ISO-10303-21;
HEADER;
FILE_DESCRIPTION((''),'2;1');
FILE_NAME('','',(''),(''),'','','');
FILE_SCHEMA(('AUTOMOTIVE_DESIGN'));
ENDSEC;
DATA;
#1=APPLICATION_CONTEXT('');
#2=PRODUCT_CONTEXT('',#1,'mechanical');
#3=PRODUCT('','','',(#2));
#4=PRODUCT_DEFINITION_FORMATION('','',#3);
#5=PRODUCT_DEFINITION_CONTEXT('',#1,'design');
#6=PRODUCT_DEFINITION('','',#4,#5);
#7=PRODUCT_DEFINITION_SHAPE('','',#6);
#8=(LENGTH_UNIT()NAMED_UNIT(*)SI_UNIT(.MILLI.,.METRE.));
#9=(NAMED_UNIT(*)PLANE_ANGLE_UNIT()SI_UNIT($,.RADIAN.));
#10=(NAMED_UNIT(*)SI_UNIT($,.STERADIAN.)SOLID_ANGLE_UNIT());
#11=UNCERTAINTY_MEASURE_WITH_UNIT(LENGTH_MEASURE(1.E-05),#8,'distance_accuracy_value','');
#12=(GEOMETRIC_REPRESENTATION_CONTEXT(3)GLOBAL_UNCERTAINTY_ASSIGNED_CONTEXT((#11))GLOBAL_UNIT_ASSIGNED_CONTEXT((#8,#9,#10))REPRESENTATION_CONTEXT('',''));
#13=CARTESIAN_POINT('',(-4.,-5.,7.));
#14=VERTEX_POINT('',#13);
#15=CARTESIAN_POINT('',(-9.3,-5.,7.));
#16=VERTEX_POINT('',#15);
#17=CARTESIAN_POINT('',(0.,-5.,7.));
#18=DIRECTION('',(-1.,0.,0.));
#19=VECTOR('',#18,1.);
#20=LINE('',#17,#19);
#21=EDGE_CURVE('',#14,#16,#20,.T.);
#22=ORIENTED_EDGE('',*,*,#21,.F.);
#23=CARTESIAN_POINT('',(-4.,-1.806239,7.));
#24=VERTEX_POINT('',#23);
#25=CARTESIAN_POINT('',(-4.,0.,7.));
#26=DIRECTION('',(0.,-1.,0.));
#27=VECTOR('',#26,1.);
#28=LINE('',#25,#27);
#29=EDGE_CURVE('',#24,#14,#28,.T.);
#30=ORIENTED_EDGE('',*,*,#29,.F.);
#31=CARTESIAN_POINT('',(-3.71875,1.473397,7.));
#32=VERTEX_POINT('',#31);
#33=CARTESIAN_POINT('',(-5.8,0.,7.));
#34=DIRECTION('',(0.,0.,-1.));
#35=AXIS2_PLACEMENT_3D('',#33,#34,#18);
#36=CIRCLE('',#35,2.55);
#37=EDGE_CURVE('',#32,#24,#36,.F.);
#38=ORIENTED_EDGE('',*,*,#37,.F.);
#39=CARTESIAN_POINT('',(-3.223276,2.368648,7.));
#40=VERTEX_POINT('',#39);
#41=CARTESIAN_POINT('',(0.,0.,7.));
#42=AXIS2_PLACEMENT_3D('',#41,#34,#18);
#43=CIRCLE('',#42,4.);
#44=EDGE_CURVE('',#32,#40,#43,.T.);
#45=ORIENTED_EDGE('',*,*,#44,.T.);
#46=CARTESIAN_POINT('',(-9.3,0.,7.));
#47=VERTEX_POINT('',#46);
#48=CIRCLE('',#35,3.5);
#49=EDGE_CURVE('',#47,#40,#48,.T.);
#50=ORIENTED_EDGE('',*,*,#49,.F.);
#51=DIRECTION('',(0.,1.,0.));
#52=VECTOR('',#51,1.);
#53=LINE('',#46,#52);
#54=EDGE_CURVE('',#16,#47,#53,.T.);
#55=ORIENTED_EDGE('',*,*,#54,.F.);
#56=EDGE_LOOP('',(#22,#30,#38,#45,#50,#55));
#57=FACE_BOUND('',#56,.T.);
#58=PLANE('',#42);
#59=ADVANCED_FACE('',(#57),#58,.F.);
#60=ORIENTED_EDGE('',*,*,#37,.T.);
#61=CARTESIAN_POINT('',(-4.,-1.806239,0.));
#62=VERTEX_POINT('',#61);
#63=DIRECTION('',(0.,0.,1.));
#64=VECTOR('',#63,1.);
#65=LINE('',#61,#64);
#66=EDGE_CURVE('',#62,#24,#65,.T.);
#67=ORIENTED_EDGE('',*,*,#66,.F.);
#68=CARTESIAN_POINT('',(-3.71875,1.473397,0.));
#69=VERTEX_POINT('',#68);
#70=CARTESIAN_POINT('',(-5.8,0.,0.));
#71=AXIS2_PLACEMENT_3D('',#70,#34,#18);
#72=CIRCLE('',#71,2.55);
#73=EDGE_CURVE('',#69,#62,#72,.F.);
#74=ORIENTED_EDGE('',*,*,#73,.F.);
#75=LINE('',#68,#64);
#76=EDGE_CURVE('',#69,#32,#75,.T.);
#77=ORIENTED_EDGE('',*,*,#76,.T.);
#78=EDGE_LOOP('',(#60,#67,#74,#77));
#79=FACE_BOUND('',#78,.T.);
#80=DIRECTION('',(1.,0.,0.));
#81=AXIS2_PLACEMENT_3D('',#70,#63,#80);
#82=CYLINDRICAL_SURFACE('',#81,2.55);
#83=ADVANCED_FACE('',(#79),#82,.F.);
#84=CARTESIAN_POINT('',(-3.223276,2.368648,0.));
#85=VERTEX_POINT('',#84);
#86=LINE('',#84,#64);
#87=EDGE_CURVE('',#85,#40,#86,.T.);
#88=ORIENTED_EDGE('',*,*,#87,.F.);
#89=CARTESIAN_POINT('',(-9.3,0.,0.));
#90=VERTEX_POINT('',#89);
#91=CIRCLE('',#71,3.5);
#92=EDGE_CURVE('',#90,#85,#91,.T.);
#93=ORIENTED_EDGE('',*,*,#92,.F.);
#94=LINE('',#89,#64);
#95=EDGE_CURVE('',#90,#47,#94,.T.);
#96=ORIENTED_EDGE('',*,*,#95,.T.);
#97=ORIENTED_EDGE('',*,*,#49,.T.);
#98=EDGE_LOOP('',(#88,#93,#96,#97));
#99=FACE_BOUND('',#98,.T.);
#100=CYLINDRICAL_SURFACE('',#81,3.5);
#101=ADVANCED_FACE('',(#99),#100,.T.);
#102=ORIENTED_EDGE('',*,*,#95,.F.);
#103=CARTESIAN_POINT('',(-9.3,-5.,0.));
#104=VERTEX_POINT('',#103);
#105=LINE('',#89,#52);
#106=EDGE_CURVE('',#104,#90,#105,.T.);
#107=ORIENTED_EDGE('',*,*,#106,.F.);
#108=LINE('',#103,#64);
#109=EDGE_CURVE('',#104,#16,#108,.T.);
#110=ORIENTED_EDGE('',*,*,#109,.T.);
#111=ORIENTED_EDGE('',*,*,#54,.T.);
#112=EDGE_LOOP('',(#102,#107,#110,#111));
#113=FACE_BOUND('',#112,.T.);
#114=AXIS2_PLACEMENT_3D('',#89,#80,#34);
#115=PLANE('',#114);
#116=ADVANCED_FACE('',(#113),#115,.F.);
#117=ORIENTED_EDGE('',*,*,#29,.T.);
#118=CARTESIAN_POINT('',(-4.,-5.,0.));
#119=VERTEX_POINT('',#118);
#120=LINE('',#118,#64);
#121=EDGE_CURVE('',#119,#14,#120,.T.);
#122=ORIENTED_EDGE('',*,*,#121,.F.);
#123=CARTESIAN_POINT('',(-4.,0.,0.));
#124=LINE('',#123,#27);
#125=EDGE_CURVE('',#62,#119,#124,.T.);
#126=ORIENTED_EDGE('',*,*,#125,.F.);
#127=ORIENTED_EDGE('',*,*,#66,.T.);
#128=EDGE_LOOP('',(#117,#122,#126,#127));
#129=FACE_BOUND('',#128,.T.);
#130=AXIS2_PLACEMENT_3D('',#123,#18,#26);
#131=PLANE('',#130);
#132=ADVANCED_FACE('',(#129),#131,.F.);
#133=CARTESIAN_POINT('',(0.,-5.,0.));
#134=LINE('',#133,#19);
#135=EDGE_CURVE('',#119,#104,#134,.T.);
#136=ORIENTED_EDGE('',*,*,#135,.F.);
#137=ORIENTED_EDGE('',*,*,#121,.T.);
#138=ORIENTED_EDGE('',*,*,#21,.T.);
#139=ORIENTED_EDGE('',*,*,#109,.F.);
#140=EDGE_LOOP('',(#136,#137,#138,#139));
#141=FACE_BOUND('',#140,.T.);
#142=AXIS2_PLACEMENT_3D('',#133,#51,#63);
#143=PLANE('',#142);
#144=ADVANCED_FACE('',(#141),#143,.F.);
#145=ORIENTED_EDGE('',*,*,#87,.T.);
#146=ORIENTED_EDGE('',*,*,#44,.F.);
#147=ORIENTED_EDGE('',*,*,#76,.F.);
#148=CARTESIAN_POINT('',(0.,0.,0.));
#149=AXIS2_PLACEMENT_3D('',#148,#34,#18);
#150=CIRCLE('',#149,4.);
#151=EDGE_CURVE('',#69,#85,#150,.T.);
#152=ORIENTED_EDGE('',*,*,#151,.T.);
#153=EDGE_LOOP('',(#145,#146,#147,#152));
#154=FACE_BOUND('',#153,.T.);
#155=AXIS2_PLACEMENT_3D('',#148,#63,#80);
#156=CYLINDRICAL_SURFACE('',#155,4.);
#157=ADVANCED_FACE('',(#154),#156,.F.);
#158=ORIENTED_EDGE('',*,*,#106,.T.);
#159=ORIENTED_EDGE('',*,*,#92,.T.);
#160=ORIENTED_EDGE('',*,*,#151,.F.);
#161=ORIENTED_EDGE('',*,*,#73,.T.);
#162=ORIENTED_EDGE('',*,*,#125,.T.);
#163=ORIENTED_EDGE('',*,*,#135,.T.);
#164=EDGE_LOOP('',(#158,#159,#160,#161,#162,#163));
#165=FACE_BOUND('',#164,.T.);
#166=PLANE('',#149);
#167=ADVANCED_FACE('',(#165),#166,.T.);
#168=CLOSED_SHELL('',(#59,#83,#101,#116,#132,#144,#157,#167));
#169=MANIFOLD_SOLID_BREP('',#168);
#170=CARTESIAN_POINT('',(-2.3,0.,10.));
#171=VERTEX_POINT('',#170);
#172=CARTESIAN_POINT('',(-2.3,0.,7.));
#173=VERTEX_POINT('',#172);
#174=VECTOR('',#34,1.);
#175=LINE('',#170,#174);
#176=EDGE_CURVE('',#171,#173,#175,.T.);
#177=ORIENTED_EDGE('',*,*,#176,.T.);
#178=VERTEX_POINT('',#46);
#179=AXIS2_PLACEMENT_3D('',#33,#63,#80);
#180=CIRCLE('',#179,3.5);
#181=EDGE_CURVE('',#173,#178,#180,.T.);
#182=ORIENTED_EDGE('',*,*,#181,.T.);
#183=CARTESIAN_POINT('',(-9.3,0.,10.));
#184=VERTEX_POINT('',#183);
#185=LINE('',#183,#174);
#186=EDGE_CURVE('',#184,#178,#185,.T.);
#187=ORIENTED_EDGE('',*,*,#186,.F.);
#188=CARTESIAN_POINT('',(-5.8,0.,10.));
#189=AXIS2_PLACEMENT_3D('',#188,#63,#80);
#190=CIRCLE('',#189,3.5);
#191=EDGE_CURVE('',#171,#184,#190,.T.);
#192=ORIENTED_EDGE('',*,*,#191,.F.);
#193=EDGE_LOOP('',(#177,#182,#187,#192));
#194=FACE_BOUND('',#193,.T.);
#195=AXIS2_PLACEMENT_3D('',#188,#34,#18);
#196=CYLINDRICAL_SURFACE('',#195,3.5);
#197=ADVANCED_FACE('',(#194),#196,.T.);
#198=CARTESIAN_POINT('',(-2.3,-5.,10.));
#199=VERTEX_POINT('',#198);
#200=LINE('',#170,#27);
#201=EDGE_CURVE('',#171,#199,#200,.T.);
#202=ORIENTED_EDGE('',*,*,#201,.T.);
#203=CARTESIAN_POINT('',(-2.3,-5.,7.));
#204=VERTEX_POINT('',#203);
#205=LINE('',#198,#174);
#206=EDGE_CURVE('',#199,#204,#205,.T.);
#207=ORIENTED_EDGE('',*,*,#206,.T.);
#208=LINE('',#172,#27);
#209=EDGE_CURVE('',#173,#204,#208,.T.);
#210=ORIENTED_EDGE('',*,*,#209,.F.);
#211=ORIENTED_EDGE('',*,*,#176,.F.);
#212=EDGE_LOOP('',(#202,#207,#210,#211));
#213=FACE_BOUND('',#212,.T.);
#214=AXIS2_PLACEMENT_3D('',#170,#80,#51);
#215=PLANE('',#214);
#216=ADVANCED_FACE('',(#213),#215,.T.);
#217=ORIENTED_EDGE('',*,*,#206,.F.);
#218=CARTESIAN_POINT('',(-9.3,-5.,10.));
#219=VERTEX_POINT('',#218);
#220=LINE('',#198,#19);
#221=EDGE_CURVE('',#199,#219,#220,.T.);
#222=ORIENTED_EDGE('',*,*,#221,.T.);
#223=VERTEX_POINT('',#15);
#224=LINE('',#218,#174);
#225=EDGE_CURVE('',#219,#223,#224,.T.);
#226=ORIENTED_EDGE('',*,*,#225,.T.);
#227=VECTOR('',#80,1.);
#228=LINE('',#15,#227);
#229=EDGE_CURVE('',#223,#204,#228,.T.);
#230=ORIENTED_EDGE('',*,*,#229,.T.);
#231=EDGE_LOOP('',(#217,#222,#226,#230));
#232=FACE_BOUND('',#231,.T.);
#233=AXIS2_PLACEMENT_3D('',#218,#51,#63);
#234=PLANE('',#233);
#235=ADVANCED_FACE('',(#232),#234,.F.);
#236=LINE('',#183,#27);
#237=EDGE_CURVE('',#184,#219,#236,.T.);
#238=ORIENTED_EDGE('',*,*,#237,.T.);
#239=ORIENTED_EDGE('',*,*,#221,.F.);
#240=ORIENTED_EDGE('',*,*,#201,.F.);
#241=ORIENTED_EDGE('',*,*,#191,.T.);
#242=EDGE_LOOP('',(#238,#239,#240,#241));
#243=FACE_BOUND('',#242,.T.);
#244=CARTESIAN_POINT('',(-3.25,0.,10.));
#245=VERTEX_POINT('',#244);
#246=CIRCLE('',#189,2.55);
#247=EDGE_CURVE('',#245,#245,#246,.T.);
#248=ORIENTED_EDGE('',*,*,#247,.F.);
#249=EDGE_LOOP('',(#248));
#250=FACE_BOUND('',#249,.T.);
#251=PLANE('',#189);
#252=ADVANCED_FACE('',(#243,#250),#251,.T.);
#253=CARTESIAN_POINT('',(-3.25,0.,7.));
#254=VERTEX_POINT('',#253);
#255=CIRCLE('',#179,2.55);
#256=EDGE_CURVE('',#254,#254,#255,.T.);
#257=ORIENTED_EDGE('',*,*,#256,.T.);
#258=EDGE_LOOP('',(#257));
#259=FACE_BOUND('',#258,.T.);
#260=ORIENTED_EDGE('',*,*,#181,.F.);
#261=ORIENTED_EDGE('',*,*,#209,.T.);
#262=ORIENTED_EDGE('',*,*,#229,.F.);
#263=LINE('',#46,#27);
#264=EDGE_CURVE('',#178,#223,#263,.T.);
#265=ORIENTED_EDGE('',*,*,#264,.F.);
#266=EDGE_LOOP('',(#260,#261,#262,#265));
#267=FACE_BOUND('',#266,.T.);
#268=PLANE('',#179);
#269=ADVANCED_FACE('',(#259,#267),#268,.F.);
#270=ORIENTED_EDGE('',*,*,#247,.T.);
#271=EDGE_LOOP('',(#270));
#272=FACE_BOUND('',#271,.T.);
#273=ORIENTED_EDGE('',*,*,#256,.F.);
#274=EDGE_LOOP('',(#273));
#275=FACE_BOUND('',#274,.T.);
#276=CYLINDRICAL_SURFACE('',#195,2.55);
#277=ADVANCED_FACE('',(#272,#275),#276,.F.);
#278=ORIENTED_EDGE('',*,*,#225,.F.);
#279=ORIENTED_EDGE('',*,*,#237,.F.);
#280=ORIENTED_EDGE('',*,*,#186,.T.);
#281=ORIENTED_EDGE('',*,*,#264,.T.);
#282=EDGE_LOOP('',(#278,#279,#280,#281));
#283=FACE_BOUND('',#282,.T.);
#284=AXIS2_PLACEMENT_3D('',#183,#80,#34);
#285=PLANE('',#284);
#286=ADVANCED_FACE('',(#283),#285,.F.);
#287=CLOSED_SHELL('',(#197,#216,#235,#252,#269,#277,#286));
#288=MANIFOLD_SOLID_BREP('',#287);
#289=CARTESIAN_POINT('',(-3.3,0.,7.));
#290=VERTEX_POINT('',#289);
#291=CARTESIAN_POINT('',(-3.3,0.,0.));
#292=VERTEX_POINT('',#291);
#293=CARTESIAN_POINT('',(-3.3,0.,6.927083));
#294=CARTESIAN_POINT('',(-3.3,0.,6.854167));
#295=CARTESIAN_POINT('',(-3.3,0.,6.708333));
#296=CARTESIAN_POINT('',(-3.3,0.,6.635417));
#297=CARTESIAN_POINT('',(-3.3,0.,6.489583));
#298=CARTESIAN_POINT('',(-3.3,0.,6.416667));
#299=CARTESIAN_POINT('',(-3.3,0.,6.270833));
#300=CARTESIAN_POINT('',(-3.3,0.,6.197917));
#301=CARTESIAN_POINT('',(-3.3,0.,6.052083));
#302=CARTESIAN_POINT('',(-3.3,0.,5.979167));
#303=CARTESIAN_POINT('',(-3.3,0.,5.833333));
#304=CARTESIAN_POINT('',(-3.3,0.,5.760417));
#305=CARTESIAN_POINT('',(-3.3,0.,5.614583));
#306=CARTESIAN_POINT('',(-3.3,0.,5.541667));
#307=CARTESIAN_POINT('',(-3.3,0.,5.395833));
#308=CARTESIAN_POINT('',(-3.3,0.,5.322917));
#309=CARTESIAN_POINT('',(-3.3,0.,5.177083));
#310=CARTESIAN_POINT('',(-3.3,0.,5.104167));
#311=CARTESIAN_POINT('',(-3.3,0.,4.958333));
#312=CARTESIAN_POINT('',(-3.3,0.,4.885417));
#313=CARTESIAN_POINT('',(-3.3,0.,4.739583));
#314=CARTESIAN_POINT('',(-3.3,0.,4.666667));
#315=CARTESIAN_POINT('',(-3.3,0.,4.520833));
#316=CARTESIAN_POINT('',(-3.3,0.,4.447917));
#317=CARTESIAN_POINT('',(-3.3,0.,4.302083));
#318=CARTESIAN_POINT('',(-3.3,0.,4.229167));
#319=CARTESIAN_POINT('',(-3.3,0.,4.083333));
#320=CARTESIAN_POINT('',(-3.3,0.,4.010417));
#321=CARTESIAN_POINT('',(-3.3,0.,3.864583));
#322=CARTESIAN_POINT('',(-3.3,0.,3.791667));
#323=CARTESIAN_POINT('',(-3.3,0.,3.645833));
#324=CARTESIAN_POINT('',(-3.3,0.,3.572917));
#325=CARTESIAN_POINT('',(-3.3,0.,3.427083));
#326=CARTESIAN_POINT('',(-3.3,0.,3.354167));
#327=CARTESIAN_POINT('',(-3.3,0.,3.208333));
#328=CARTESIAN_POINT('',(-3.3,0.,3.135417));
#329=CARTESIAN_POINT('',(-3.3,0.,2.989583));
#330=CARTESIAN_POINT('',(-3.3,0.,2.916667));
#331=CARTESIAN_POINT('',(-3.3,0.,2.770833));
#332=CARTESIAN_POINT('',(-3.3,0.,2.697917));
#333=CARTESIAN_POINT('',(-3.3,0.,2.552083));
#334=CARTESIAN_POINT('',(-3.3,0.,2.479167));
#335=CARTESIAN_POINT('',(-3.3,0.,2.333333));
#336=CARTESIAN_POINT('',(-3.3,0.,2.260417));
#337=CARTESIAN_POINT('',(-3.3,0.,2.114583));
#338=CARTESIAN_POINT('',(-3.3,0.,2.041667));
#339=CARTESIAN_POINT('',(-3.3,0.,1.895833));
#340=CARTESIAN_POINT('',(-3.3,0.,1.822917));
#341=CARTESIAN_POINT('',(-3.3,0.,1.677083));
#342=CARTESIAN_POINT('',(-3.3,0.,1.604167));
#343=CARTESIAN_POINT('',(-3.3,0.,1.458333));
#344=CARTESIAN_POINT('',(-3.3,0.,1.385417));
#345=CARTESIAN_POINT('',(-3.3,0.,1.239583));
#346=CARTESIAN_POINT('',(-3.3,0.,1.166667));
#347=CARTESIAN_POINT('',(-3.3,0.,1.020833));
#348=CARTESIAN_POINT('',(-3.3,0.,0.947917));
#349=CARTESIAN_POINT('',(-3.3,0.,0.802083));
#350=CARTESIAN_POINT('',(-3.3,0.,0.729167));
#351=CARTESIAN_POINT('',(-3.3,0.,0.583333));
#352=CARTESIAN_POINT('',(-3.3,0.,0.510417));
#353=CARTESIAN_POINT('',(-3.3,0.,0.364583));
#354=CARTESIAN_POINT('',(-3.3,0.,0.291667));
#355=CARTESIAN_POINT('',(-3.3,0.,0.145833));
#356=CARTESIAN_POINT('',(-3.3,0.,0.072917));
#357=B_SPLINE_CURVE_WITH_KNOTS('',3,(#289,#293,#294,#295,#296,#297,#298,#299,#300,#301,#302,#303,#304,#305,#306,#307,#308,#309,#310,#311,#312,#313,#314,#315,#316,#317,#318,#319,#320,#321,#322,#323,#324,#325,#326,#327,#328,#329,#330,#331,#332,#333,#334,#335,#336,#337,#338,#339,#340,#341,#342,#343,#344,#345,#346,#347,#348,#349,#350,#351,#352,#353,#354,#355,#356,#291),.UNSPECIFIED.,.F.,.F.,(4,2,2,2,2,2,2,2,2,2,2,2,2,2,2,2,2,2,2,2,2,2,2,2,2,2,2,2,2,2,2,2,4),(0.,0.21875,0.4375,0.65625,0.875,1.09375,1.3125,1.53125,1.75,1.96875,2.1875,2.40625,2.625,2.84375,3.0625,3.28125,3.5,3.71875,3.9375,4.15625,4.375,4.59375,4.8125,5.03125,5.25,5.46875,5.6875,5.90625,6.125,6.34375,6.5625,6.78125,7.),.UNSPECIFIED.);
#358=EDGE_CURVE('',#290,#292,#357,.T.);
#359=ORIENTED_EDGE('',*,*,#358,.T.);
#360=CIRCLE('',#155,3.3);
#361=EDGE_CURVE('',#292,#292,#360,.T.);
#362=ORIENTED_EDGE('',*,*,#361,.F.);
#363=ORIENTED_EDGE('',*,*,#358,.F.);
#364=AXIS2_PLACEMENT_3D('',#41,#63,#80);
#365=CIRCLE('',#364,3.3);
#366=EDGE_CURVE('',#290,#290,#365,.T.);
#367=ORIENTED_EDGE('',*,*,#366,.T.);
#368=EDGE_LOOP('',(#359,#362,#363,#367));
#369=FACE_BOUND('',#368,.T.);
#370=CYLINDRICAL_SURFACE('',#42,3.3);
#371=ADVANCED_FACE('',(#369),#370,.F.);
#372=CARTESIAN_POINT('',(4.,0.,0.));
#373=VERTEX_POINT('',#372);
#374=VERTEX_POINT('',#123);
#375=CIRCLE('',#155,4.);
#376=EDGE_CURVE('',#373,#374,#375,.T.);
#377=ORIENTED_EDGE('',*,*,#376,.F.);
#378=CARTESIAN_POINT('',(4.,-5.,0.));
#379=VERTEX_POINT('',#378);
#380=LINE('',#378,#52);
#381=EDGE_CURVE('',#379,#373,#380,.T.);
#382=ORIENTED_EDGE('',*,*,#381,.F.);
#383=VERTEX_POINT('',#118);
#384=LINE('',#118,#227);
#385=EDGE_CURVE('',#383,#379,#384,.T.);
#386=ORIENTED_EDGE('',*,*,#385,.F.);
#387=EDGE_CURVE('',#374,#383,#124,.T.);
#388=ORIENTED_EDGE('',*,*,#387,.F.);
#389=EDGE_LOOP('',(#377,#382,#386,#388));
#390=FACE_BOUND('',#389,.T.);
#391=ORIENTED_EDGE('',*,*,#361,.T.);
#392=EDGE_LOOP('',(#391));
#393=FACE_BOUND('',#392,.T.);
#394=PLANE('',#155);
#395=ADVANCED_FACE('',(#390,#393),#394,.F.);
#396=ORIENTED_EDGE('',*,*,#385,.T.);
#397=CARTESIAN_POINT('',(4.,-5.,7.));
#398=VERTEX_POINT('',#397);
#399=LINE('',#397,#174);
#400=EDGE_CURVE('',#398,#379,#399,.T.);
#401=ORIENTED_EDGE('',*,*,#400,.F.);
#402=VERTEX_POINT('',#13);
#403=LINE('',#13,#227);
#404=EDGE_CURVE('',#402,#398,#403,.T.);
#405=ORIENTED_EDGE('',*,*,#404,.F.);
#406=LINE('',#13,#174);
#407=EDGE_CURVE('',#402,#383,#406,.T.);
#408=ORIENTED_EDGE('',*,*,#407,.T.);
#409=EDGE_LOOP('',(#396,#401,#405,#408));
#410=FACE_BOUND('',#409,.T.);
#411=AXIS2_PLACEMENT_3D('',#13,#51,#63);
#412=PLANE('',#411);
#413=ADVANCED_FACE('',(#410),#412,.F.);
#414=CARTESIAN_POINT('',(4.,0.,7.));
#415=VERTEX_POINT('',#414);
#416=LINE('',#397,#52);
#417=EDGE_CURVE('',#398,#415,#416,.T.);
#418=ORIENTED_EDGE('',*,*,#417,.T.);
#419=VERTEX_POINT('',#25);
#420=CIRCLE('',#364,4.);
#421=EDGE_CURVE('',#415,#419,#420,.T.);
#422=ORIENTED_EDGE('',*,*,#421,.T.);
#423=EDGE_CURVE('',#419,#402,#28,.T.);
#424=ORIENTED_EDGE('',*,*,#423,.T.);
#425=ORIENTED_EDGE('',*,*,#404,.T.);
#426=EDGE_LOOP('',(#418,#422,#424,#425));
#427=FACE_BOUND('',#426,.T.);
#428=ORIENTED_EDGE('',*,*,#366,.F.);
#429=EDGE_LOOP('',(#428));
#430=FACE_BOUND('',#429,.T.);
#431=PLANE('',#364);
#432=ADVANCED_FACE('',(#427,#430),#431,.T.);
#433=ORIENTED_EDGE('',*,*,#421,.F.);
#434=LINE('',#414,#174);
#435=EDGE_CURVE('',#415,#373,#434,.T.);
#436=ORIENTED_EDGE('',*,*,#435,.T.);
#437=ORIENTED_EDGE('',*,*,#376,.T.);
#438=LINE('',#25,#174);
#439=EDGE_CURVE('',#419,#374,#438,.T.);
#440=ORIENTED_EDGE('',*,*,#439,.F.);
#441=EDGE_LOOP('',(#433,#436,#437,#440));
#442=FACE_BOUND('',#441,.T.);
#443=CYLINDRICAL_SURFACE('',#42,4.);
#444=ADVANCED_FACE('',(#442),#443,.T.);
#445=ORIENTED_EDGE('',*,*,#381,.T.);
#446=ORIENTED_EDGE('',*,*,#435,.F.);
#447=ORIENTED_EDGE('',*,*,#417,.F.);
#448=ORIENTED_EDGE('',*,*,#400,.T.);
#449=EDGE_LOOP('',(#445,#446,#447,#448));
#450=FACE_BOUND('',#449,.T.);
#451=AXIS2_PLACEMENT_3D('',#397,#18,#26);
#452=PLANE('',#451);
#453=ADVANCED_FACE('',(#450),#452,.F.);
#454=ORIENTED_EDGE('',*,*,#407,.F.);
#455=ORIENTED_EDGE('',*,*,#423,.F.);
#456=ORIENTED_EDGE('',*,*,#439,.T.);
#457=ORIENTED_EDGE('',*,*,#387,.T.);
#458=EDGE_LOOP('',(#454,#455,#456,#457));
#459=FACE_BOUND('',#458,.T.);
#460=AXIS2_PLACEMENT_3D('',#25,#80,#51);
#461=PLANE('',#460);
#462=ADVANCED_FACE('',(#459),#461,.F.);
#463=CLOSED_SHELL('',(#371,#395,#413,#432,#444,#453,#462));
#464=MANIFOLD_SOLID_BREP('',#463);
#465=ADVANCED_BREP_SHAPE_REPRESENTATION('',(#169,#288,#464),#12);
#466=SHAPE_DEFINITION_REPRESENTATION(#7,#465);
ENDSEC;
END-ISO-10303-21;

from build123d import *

# Parameters (mm, degrees)
SKETCH1_R            = 3.3
BOSS_EXTRUDE1_DEPTH  = 7
SKETCH2_R            = 2.55
BOSS_EXTRUDE4_DEPTH  = 3
BOSS_EXTRUDE10_DEPTH = 7


with BuildPart() as part:
    # Sketch1 → Boss-Extrude1 (new body)
    with BuildSketch(Plane.XY):
        with BuildLine():
            Line((-4, 0), (-4, -5))
            Line((-4, -5), (4, -5))
            Line((4, -5), (4, 0))
            ThreePointArc((4, 0), (0, 4), (-4, 0))
        make_face()
        with Locations(Location((0, 0, 0), (0, 0, 180))):
            Circle(SKETCH1_R, mode=Mode.SUBTRACT)
    extrude(amount=BOSS_EXTRUDE1_DEPTH)


with BuildPart() as body_2:
    # Sketch2 → Boss-Extrude4 (new body)
    with BuildSketch(Plane.XY.offset(7)):
        with BuildLine():
            Line((-9.3, 0), (-9.3, -5))
            Line((-9.3, -5), (-4, -5))
            Line((-4, -5), (-2.3, -5))
            Line((-2.3, -5), (-2.3, 0))
            ThreePointArc((-2.3, 0), (-5.8, 3.5), (-9.3, 0))
        make_face()
        with Locations((-5.8, 0)):
            Circle(SKETCH2_R, mode=Mode.SUBTRACT)
    extrude(amount=BOSS_EXTRUDE4_DEPTH)


with BuildPart() as body_3:
    # Sketch6 → Boss-Extrude10 (new body)
    with BuildSketch(Plane(origin=(0, 0, 7), x_dir=(-1, 0, 0), z_dir=(0, 0, -1))):
        with BuildLine():
            ThreePointArc((8.35, 0), (6.777880361, -2.35504777), (4, -1.806239187))
            Line((4, -1.806239187), (4, -5))
            Line((4, -5), (9.3, -5))
            Line((9.3, -5), (9.3, 0))
            ThreePointArc((9.3, 0), (7.07111477, 3.261022423), (3.223275862, 2.368647867))
            ThreePointArc((3.223275862, 2.368647867), (3.49975704, 1.936930732), (3.71875, 1.473396904))
            ThreePointArc((3.71875, 1.473396904), (6.573082305, 2.429988426), (8.35, 0))
        make_face()
    extrude(amount=BOSS_EXTRUDE10_DEPTH)


solid = Compound([part.part, body_2.part, body_3.part])
